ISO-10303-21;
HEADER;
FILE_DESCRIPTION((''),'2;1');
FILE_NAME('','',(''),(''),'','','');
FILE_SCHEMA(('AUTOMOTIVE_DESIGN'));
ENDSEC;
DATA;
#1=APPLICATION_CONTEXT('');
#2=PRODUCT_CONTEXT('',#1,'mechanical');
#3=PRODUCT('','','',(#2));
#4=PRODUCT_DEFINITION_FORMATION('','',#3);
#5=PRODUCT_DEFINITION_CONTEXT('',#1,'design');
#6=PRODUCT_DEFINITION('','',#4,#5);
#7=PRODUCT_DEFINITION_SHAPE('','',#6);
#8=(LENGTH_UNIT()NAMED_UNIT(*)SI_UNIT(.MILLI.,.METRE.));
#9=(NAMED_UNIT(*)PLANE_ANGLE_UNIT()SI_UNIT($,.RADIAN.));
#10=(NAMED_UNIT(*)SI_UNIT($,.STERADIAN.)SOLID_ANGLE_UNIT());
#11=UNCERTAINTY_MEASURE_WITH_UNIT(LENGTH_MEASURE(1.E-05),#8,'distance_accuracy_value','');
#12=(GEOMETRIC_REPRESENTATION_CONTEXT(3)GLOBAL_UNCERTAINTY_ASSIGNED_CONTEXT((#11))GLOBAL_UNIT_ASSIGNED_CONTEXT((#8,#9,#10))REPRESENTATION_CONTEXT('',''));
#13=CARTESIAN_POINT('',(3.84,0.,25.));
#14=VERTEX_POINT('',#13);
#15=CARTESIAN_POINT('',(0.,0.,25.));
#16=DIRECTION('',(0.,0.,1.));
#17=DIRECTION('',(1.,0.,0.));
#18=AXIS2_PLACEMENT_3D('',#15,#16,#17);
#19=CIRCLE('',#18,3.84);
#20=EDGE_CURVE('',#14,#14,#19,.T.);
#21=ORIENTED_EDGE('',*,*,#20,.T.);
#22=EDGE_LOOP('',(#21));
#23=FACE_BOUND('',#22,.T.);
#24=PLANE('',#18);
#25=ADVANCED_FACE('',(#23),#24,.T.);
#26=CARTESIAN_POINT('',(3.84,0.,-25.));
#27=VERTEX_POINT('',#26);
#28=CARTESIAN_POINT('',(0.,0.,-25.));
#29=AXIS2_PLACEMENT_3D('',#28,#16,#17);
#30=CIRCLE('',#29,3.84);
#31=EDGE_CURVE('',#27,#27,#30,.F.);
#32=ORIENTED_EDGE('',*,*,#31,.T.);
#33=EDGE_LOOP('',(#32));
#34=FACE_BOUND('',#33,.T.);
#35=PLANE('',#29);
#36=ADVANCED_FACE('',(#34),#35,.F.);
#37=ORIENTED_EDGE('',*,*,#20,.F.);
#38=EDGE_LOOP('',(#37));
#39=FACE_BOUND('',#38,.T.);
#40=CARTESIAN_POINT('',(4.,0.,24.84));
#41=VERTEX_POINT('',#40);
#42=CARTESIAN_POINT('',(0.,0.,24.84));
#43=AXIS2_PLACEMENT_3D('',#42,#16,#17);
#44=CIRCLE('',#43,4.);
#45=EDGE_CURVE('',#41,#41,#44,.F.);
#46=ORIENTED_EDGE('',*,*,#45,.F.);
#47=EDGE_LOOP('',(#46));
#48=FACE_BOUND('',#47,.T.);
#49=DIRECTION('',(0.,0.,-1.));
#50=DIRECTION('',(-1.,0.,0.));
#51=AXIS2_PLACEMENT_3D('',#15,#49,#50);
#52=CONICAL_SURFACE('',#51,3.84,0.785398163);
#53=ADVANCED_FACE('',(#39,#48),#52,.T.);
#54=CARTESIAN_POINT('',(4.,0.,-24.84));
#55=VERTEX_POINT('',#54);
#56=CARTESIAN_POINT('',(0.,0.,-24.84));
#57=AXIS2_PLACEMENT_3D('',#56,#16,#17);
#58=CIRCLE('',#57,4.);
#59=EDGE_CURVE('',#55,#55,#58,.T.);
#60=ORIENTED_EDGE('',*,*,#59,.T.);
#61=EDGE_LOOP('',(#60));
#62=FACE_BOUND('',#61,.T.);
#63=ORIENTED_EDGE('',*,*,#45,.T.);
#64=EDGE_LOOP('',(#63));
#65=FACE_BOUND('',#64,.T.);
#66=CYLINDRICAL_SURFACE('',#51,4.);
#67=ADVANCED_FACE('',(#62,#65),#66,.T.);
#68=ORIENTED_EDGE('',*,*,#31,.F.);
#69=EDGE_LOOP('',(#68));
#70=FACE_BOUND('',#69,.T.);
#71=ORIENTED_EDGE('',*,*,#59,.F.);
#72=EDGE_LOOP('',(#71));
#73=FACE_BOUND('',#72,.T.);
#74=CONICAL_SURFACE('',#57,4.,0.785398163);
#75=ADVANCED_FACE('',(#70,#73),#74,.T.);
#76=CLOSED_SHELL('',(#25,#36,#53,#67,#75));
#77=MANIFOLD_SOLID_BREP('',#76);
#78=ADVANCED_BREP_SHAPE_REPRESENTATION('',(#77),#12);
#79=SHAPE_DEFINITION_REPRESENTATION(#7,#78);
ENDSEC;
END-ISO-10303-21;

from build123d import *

# Parameters (mm, degrees)
BOSS_EXTRUDE1_DEPTH      = 25
BOSS_EXTRUDE1_DEPTH_BACK = 25
SKETCH2_R                = 4
CHAMFER1_SIZE            = 0.16


with BuildPart() as part:
    # Sketch2 → Boss-Extrude1 (new, two sides: drawn at the far end of the back side and taken through both)
    with BuildSketch(Plane.XY.offset(-BOSS_EXTRUDE1_DEPTH_BACK)):
        Circle(SKETCH2_R)
    extrude(amount=BOSS_EXTRUDE1_DEPTH + BOSS_EXTRUDE1_DEPTH_BACK)

    # Chamfer1
    chamfer1_edges = [part.edges().sort_by_distance(p)[0] for p in [
        (-4, 0, -25),
        (-4, 0, 25),
    ]]
    chamfer(chamfer1_edges, length=CHAMFER1_SIZE)


solid = part.part
